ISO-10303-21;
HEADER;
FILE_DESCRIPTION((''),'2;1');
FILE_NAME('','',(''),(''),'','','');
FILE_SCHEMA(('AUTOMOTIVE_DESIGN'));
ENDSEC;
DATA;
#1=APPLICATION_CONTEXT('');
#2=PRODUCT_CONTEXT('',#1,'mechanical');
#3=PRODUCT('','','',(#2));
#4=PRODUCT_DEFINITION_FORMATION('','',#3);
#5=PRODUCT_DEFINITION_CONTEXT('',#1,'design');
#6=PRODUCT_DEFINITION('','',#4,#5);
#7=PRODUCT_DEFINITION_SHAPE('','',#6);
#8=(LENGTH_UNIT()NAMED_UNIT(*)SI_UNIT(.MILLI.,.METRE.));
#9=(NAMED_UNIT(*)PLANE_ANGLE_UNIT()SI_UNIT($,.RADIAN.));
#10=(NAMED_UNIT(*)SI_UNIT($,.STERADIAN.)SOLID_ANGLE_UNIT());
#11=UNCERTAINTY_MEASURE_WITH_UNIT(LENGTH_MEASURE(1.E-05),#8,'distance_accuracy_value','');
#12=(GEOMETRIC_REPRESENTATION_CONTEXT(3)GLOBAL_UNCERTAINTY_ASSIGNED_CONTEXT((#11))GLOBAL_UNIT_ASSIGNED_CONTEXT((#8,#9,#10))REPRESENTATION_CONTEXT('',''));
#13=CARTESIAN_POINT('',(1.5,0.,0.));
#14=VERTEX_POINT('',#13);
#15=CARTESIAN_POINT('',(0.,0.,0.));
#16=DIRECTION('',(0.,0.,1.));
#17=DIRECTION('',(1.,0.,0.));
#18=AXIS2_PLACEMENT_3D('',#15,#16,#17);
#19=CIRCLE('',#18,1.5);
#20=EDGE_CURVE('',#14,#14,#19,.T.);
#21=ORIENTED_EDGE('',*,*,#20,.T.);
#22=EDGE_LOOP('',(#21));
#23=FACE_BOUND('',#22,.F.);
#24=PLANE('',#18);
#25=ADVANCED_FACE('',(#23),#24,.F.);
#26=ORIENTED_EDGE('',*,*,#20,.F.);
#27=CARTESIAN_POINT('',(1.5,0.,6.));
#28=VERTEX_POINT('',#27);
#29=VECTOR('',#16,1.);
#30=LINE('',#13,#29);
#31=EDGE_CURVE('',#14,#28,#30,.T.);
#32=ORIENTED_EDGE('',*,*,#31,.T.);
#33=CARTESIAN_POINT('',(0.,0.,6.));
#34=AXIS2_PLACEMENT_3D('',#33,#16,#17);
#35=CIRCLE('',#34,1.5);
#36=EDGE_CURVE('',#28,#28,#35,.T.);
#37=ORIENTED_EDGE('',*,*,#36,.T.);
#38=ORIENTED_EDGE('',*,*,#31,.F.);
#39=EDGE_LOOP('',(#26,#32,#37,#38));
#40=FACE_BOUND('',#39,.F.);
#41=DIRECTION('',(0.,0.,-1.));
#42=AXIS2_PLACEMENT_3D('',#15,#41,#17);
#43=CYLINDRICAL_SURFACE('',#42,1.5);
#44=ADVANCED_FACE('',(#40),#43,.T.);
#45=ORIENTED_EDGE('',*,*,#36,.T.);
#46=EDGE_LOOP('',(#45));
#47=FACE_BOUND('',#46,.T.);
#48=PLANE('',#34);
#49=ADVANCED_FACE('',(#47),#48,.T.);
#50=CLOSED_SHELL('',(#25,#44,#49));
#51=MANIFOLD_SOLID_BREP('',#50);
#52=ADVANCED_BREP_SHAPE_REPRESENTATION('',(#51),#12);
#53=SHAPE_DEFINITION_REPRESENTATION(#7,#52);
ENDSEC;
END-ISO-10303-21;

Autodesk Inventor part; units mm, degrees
ref_plane "YZ Plane" through (0, 0, 0) normal (1, 0, 0) x (0, 1, 0)
ref_plane "XZ Plane" through (0, 0, 0) normal (0, 1, 0) x (-1, 0, 0)
ref_plane "XY Plane" through (0, 0, 0) normal (0, 0, 1) x (1, 0, 0)
sketch "Boceto1" plane through (0, 0, 0) normal (0, 0, 1) x (1, 0, 0)
  circle A0 centre (0, 0) radius 1.5
  dimension "d0" = 3
extrude "Extrusión1" add sketch "Boceto1" along normal blind 6
properties part number "DistanciaSpacer3mm"
